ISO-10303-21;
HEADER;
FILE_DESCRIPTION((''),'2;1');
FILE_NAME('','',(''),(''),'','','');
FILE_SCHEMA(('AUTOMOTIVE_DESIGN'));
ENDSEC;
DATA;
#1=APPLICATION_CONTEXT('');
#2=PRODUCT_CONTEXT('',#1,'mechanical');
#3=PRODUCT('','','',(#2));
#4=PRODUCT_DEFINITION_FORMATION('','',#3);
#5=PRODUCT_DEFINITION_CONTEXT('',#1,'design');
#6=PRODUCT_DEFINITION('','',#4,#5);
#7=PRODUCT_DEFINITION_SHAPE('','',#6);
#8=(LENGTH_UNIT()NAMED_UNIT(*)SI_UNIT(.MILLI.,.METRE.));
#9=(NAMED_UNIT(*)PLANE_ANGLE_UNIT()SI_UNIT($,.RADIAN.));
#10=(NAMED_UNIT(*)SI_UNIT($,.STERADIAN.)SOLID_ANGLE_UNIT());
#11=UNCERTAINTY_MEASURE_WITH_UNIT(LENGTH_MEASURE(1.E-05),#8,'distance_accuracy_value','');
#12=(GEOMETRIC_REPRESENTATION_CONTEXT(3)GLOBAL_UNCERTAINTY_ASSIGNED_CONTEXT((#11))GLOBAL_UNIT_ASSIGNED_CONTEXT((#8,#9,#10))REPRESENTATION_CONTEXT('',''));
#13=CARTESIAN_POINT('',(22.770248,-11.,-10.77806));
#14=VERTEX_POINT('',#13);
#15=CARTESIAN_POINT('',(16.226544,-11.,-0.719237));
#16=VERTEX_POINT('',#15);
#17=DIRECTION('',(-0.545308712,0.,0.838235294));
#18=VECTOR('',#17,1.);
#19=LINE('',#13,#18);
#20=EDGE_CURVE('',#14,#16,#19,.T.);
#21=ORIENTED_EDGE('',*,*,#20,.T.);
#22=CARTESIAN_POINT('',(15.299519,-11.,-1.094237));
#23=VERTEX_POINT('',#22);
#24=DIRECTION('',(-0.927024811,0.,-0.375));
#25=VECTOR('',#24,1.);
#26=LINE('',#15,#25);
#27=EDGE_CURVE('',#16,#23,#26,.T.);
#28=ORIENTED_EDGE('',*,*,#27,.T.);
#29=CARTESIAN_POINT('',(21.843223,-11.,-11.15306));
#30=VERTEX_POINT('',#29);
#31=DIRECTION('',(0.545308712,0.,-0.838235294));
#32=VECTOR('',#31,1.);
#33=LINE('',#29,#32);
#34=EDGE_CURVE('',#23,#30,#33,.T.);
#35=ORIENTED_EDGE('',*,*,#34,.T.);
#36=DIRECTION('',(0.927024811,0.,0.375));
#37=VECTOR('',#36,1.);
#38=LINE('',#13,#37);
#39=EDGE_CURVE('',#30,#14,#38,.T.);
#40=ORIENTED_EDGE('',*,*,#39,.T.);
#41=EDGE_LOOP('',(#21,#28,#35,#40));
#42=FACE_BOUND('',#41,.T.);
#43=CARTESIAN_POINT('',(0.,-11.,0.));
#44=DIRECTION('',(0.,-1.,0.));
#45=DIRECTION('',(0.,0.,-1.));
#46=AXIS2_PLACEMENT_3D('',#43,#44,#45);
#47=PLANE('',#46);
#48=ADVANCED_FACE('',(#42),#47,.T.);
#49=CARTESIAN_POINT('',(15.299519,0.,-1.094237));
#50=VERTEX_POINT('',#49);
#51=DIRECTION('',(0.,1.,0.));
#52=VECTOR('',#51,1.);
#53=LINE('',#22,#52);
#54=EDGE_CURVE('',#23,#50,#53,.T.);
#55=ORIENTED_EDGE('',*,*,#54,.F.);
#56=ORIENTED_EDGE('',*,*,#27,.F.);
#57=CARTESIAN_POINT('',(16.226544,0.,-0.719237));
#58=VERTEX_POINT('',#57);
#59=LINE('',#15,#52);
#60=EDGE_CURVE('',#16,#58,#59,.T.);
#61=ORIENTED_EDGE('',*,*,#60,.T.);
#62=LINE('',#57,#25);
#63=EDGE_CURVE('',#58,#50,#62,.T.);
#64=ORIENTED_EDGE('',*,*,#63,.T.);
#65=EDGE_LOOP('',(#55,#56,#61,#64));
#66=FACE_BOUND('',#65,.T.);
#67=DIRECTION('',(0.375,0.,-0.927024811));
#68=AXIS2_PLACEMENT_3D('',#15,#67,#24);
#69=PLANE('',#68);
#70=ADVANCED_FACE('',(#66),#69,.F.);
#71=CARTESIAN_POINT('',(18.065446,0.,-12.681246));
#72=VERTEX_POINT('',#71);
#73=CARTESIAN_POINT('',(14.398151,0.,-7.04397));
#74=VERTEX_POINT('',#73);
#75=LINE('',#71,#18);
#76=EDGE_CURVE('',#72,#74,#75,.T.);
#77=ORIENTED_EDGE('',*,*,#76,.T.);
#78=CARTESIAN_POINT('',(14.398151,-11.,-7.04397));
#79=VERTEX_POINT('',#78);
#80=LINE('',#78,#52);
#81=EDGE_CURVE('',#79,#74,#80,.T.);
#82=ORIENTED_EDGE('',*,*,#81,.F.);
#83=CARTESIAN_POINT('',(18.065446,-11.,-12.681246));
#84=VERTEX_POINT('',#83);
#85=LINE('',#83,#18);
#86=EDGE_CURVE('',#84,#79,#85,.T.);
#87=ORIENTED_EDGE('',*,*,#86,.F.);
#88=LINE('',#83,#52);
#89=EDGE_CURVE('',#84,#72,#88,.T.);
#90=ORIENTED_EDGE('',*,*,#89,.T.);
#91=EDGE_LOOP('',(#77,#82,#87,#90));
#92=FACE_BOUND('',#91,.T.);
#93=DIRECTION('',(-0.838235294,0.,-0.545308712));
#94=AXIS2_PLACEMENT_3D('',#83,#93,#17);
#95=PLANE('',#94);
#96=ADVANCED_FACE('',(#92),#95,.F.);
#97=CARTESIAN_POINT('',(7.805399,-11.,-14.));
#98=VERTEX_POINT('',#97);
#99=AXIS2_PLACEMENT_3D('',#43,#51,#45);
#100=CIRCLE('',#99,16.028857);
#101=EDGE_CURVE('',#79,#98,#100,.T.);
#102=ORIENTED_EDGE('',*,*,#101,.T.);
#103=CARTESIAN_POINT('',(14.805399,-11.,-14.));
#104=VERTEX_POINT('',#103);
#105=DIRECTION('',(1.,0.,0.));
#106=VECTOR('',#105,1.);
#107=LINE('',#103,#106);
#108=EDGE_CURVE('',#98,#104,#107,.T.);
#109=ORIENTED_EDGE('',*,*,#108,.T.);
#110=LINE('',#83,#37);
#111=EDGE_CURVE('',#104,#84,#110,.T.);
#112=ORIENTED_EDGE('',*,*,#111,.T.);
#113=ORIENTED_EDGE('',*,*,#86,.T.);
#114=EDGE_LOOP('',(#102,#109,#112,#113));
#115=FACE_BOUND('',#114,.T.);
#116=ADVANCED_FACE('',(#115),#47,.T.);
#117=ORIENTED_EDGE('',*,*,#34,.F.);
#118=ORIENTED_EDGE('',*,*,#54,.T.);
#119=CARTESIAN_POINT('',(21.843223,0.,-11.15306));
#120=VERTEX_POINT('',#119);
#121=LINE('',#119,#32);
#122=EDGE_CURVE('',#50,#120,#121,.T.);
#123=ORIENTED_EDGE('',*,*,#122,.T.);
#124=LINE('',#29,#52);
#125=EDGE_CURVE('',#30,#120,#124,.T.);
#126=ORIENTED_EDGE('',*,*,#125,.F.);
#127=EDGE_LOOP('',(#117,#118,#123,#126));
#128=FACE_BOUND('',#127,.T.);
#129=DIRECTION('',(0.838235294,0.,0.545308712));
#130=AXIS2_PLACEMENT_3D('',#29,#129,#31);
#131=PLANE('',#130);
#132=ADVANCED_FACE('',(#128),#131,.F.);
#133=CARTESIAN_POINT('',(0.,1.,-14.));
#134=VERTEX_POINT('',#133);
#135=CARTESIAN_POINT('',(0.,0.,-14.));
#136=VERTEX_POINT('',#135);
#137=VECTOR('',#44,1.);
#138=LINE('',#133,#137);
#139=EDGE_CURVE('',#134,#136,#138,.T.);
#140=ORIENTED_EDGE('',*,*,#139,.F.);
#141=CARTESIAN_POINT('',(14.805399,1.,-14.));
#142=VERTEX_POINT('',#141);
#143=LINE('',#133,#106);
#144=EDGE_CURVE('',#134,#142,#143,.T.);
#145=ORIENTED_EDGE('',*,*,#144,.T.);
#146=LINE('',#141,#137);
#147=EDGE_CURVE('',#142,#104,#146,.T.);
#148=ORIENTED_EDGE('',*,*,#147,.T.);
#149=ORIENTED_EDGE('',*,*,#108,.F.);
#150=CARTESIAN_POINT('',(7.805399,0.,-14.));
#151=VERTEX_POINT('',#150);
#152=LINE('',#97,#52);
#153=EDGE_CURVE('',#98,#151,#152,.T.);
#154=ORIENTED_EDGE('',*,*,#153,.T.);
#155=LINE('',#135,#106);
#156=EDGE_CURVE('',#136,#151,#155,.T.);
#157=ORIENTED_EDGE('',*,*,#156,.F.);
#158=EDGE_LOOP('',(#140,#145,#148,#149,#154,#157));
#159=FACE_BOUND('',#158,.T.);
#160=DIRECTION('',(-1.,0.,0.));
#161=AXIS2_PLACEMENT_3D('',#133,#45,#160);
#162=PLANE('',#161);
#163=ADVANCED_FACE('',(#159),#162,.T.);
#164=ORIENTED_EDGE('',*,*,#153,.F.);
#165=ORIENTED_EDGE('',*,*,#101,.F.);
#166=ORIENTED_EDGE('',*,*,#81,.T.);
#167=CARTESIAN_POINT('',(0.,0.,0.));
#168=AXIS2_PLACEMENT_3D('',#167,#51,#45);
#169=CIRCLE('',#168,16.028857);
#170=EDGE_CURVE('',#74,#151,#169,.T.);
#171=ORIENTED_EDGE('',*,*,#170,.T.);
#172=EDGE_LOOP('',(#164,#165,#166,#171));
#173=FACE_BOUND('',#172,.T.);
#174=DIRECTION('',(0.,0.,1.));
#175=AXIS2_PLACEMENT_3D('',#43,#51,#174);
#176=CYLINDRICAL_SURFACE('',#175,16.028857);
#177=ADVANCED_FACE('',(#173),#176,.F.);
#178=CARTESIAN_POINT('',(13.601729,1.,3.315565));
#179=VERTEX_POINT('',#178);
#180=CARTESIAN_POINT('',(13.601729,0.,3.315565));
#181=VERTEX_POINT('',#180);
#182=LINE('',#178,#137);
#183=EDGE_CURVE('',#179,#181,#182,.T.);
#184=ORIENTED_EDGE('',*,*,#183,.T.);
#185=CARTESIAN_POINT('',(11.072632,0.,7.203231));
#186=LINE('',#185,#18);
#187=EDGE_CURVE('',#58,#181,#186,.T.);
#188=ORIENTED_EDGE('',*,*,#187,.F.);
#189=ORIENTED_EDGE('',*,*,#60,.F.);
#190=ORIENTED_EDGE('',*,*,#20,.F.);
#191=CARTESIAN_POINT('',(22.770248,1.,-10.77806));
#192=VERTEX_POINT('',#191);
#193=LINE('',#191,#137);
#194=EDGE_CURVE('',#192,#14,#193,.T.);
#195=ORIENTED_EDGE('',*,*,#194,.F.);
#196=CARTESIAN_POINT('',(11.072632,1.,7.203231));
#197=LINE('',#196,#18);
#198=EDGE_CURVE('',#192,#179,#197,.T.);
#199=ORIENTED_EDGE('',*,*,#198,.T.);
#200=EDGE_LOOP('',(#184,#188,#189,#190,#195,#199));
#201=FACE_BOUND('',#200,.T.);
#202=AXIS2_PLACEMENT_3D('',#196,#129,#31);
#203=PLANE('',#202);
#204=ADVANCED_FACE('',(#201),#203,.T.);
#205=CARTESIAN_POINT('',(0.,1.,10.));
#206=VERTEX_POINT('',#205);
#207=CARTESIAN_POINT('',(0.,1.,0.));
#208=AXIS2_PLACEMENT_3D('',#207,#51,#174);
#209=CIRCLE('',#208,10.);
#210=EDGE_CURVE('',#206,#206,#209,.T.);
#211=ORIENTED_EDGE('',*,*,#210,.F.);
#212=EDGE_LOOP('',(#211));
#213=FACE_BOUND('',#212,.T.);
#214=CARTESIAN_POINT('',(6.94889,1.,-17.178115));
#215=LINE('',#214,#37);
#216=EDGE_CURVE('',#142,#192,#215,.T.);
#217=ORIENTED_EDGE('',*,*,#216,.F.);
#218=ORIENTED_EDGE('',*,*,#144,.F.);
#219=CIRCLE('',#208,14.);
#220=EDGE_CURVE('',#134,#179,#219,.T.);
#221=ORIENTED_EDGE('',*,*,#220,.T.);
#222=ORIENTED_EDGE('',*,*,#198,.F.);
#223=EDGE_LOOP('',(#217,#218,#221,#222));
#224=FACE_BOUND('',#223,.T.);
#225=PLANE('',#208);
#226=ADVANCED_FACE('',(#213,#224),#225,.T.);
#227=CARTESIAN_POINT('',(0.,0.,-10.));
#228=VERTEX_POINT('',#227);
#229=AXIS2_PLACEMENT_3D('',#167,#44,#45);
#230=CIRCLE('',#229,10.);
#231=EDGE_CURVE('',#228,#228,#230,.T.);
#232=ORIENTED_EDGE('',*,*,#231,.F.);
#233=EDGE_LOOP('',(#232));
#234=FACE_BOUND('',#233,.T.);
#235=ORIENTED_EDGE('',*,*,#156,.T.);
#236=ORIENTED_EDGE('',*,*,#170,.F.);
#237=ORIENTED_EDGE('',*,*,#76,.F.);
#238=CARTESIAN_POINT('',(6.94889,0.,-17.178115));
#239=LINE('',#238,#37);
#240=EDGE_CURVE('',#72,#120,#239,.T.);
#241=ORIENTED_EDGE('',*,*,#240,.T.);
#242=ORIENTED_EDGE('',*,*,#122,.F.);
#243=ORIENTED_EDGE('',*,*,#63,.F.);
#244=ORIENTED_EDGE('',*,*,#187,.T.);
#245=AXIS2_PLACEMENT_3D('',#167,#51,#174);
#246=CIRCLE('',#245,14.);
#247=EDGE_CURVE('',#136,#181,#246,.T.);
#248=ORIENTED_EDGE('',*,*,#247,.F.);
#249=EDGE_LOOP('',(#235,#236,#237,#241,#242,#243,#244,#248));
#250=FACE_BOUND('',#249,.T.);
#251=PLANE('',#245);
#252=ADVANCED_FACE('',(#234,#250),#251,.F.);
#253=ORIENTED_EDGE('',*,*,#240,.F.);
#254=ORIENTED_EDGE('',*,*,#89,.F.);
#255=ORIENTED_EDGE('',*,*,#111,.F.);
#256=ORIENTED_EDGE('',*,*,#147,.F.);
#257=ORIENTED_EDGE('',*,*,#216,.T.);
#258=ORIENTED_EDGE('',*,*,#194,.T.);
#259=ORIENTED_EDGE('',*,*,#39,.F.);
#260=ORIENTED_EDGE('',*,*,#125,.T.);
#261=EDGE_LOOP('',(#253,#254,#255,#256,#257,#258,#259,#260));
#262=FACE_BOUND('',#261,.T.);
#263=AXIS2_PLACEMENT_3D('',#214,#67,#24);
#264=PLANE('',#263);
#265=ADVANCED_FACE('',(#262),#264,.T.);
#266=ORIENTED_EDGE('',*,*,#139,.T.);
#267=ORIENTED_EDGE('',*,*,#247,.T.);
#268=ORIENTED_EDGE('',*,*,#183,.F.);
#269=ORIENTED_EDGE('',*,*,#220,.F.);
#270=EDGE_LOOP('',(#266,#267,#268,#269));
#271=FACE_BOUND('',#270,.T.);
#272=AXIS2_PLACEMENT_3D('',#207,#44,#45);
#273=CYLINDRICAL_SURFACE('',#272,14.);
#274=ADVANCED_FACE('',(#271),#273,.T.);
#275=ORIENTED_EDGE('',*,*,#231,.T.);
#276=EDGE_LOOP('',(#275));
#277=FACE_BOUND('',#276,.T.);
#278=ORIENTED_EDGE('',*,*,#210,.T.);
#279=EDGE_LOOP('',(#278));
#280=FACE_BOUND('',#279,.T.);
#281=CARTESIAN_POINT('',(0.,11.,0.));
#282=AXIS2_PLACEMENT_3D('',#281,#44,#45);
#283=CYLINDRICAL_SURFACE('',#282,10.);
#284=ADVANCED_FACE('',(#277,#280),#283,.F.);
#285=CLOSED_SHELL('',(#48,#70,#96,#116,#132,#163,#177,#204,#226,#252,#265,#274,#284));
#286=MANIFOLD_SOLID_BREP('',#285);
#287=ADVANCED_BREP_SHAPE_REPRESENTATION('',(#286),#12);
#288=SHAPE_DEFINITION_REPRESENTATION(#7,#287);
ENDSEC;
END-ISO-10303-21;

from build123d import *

# Parameters (mm, degrees)
SKETCH1_R           = 14
BOSS_EXTRUDE1_DEPTH = 1
BOSS_EXTRUDE2_DEPTH = 11
BOSS_EXTRUDE3_DEPTH = 11
SKETCH4_R           = 10
CUT_EXTRUDE1_DEPTH  = 11


with BuildPart() as part:
    # Sketch1 → Boss-Extrude1 (new body)
    with BuildSketch(Plane(origin=(0, 0, 0), x_dir=(1, 0, 0), z_dir=(0, 1, 0))):
        Circle(SKETCH1_R)
        with BuildLine():
            Line((14.805399496, 14), (0, 14))
            ThreePointArc((0, 14), (9.899494937, 9.899494937), (14, 0))
            ThreePointArc((14, 0), (13.900075645, -1.66969969), (13.601728992, -3.31556457))
            Line((13.601728992, -3.31556457), (22.770248109, 10.778060096))
            Line((22.770248109, 10.778060096), (14.805399496, 14))
        make_face()
    extrude(amount=BOSS_EXTRUDE1_DEPTH)

    # Sketch2 → Boss-Extrude2 (add)
    with BuildSketch(Plane(origin=(0, 0, 0), x_dir=(-1, 0, 0), z_dir=(0, -1, 0))):
        Polygon((-22.770248109, 10.778060096), (-21.843223298, 11.153060096), (-15.299518751, 1.094236567), (-16.226543561, 0.719236567), align=None)
    extrude(amount=BOSS_EXTRUDE2_DEPTH)

    # Sketch3 → Boss-Extrude3 (add)
    with BuildSketch(Plane(origin=(0, 0, 0), x_dir=(-1, 0, 0), z_dir=(0, -1, 0))):
        with BuildLine():
            Line((-18.06544552, 12.681246451), (-14.398150781, 7.043970142))
            ThreePointArc((-14.398150781, 7.043970142), (-11.63382994, 11.026253317), (-7.805399496, 14))
            Line((-7.805399496, 14), (-14.805399496, 14))
            Line((-14.805399496, 14), (-18.06544552, 12.681246451))
        make_face()
    extrude(amount=BOSS_EXTRUDE3_DEPTH)

    # Sketch4 → Cut-Extrude1 (cut)
    with BuildSketch(Plane.XZ):
        with Locations(Location((0, 0, 0), (0, 0, 270))):
            Circle(SKETCH4_R)
    extrude(amount=-CUT_EXTRUDE1_DEPTH, mode=Mode.SUBTRACT)


solid = part.part
